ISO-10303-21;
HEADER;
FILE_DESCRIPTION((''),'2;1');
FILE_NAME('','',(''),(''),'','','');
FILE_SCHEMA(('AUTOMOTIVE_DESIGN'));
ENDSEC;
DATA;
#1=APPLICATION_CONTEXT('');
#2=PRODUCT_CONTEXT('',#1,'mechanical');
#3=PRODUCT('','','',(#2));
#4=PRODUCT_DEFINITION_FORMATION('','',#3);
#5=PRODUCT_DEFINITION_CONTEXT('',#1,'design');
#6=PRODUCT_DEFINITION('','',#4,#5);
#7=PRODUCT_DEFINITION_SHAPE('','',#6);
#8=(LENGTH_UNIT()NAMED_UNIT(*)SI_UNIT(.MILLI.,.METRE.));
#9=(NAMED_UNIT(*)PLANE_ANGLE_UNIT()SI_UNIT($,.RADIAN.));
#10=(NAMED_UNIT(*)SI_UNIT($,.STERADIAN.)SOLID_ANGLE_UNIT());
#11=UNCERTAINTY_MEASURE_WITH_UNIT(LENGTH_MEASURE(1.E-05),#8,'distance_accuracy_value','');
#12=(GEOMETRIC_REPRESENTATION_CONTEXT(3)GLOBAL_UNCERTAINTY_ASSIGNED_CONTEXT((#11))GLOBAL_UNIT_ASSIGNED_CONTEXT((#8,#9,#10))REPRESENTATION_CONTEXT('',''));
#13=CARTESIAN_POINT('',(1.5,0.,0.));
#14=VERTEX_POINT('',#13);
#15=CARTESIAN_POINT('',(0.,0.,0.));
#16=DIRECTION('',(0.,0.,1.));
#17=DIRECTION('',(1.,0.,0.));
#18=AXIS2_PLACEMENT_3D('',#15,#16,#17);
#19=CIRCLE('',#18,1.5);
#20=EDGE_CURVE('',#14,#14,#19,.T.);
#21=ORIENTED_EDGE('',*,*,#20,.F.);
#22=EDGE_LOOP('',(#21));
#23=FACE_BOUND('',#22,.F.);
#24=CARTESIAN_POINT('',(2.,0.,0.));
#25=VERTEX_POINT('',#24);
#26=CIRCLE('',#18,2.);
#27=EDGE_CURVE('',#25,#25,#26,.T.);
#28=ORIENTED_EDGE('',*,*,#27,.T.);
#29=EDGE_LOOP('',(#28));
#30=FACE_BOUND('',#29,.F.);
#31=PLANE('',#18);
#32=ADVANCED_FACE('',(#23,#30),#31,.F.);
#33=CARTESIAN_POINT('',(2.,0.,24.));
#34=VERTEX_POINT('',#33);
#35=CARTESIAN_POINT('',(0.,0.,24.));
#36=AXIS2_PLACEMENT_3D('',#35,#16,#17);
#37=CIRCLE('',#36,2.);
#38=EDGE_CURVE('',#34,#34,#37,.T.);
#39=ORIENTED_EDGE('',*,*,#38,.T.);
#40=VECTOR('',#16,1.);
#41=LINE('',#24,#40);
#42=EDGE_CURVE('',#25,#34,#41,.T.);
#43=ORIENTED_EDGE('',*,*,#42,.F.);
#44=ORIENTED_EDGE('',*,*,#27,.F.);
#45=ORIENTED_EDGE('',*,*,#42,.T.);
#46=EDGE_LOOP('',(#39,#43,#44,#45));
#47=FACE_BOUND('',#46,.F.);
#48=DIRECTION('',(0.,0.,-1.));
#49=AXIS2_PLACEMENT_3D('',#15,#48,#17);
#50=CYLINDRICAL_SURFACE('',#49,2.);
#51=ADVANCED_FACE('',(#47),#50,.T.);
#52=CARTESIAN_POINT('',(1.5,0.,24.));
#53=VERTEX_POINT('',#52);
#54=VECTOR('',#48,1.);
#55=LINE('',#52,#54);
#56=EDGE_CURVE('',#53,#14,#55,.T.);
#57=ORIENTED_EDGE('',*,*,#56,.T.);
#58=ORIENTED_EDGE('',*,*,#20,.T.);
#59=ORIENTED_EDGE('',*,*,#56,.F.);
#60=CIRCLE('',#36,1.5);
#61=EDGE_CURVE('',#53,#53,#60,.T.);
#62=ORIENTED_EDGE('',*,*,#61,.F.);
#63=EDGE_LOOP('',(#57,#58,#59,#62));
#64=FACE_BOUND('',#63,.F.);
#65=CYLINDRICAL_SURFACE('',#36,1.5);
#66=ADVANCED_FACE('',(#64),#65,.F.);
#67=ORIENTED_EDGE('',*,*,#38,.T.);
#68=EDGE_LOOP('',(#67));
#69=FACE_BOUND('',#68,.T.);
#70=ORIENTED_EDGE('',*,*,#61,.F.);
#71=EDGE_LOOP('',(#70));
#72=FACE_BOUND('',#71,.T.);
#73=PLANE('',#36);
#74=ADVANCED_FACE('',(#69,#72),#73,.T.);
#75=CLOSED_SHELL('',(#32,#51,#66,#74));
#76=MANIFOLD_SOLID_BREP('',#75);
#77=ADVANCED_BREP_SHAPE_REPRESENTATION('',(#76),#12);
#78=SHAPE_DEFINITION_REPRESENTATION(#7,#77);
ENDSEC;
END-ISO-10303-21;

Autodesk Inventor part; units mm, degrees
ref_plane "YZ Plane" through (0, 0, 0) normal (1, 0, 0) x (0, 1, 0)
ref_plane "XZ Plane" through (0, 0, 0) normal (0, 1, 0) x (-1, 0, 0)
ref_plane "XY Plane" through (0, 0, 0) normal (0, 0, 1) x (1, 0, 0)
sketch "スケッチ1" plane through (0, 0, 0) normal (0, 0, 1) x (1, 0, 0)
  circle A0 centre (0, 0) radius 2
  dimension "d0" = 4
extrude "押し出し1" add sketch "スケッチ1" along normal blind 24
sketch "スケッチ2" plane through (0, 0, 24) normal (0, 0, 1) x (1, 0, 0)
  circle A0 centre (0, 0) radius 1.5
  dimension "d3" = 3
extrude "押し出し2" cut sketch "スケッチ2" against normal blind 24
thread "ねじ1" size "M3x0.5" class "6H" standard "ANSI Metric M Profile" full length
properties part number "shaft_24mm" material "アルミニウム 5052"
